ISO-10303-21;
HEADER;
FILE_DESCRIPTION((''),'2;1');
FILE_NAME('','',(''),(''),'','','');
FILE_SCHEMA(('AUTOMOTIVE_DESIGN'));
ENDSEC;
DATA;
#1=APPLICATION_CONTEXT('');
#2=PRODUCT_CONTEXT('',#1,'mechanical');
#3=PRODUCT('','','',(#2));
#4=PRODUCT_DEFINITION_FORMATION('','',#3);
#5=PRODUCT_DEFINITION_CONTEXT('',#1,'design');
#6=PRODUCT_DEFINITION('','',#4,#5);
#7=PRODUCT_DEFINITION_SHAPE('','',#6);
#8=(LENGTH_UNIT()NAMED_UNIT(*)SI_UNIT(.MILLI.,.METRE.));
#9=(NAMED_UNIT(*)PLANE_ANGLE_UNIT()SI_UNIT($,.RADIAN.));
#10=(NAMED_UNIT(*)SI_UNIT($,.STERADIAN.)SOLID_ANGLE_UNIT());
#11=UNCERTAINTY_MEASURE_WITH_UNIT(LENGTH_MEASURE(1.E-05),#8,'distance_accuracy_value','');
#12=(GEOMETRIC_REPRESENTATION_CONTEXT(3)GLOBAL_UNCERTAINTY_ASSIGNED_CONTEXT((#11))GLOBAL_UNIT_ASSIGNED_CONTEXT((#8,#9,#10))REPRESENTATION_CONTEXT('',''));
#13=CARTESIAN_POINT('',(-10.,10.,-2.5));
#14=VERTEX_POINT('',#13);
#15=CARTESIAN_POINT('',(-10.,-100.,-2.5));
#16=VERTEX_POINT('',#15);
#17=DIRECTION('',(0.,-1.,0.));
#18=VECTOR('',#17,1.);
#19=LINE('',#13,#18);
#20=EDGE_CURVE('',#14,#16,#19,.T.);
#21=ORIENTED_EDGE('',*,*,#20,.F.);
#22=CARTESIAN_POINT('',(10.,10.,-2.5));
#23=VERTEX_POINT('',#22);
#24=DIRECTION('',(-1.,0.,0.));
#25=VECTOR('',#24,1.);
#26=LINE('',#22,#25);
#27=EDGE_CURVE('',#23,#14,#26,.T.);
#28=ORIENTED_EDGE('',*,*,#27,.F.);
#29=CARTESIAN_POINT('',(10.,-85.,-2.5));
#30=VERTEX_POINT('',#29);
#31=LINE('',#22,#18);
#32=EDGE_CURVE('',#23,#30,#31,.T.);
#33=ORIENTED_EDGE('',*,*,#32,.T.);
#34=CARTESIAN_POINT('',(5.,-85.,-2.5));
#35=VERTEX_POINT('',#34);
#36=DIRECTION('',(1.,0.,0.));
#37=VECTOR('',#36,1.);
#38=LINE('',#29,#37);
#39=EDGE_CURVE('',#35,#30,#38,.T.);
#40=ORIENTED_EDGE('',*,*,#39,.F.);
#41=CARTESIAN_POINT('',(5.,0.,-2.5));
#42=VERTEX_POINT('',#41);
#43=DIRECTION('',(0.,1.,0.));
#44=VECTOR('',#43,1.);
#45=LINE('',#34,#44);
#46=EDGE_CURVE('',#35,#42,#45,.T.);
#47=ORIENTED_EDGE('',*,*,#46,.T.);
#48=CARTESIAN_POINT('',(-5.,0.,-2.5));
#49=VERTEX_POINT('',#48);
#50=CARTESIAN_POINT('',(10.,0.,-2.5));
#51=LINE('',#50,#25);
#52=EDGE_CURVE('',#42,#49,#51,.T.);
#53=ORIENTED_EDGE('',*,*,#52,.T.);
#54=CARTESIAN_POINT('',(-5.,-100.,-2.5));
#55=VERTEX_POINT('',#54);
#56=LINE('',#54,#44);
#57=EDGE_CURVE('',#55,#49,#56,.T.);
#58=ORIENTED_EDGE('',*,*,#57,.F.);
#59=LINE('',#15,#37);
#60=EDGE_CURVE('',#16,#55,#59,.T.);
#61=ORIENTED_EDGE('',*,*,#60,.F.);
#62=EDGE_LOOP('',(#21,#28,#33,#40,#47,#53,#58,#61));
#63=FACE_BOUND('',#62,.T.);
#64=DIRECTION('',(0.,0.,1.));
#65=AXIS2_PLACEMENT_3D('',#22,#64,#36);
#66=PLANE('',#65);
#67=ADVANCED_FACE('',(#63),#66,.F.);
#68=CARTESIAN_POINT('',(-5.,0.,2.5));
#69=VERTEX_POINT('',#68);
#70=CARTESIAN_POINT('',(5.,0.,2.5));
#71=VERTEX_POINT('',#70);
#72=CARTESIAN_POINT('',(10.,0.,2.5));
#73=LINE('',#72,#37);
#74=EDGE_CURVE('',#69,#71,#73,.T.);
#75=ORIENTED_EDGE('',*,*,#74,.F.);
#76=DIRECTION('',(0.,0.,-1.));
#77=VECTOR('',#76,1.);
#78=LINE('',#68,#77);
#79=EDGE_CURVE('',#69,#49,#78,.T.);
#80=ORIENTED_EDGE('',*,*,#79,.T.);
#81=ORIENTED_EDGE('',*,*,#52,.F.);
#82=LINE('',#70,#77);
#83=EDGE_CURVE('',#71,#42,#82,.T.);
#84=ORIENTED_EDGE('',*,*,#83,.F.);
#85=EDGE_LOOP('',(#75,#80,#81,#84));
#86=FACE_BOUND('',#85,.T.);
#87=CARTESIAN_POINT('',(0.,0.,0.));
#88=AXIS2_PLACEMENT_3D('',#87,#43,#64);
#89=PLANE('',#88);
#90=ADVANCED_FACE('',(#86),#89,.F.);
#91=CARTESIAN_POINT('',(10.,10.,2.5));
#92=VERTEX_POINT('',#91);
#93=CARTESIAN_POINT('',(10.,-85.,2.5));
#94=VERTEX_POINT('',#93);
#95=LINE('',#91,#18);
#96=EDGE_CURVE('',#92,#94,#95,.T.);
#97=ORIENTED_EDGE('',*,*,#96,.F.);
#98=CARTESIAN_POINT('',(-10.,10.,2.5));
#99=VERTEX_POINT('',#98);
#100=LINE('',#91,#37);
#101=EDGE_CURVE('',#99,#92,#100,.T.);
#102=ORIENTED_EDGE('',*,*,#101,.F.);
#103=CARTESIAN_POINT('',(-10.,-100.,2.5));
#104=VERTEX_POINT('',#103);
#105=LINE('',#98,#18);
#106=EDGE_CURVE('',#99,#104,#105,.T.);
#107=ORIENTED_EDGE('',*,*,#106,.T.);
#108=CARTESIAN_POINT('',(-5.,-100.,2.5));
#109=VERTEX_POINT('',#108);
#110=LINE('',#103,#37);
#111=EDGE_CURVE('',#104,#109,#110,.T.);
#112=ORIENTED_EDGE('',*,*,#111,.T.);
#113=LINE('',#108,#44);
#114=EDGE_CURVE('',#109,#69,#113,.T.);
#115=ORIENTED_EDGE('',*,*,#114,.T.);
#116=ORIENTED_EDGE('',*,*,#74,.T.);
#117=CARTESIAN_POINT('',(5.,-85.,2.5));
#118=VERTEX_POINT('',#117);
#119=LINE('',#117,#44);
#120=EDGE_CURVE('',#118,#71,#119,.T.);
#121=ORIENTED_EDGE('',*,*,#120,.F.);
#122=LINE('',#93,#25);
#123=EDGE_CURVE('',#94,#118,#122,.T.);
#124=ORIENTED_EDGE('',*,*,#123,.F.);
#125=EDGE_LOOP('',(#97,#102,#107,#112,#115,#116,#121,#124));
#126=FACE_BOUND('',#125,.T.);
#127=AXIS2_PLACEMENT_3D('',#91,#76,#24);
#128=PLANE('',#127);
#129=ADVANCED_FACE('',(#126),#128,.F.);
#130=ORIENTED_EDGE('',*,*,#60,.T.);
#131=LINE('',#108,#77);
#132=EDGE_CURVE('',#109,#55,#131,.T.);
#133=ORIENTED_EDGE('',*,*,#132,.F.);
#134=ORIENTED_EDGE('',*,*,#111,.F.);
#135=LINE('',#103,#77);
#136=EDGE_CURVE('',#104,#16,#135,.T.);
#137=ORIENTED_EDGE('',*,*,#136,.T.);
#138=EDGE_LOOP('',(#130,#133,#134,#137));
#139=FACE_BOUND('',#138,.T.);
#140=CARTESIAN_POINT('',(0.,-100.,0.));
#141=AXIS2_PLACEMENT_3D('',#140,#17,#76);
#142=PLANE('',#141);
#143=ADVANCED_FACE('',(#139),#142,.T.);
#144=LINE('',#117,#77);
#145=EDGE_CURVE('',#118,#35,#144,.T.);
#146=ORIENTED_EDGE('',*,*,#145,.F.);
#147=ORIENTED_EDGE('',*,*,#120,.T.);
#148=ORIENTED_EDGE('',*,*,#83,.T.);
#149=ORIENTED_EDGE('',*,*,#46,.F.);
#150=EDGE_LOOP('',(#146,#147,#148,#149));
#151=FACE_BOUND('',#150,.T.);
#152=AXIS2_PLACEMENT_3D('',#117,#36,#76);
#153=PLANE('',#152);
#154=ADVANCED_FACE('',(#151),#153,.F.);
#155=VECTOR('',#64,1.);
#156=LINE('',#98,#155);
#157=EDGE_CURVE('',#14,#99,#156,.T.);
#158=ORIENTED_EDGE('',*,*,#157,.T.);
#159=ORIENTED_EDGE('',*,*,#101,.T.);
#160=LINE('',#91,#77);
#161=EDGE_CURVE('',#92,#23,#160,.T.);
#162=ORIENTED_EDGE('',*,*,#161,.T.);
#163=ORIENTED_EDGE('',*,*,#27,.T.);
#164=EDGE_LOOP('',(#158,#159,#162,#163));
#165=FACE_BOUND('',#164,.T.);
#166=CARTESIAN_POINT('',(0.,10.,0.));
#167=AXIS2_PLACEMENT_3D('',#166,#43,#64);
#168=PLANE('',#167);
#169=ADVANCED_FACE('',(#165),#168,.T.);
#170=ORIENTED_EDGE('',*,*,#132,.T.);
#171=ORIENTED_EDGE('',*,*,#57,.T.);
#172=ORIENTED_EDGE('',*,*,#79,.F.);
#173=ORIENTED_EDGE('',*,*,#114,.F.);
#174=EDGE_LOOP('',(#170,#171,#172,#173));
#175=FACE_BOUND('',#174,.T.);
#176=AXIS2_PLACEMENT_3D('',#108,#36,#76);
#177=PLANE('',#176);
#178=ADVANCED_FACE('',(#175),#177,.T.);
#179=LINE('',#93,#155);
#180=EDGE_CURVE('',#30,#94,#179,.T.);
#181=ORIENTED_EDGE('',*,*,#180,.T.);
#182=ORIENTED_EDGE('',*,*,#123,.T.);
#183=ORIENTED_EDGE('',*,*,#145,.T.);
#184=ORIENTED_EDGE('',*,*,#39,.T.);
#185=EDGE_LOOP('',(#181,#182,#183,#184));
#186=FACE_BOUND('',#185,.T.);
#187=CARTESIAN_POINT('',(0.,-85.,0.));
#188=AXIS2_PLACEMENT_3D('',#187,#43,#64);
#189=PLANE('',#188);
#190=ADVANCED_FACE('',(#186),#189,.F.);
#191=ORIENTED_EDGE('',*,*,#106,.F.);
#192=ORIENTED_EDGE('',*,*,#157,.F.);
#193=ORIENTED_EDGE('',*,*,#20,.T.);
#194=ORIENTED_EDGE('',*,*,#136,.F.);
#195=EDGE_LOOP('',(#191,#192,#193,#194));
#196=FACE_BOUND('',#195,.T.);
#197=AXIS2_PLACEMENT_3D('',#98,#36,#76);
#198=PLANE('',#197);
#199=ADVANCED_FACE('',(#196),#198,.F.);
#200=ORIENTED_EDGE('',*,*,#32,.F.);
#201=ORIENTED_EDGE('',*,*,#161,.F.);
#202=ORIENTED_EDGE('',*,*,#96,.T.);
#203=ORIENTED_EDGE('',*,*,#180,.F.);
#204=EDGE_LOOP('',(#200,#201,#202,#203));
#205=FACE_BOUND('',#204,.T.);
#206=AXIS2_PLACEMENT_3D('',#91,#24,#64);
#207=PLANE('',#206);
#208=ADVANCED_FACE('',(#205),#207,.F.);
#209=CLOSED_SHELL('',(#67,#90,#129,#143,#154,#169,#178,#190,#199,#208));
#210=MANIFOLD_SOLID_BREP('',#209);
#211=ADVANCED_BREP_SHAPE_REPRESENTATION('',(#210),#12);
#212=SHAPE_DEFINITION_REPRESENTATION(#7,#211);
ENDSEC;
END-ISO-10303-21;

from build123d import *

# Parameters (mm, degrees)
SKETCH2_W           = 20
SKETCH2_H           = 5
BOSS_EXTRUDE1_DEPTH = 10
SKETCH5_W           = 5
SKETCH5_H           = 5
BOSS_EXTRUDE2_DEPTH = 100
SKETCH6_W           = 5
SKETCH6_H           = 5
BOSS_EXTRUDE3_DEPTH = 85


with BuildPart() as part:
    # Sketch2 → Boss-Extrude1 (new body)
    with BuildSketch(Plane(origin=(0, 0, 0), x_dir=(1, 0, 0), z_dir=(0, 1, 0))):
        Rectangle(SKETCH2_W, SKETCH2_H)
    extrude(amount=BOSS_EXTRUDE1_DEPTH)

    # Sketch5 → Boss-Extrude2 (add)
    with BuildSketch(Plane(origin=(0, 0, 0), x_dir=(1, 0, 0), z_dir=(0, 1, 0))):
        with Locations((-7.5, 0)):
            Rectangle(SKETCH5_W, SKETCH5_H)
    extrude(amount=-BOSS_EXTRUDE2_DEPTH)

    # Sketch6 → Boss-Extrude3 (add)
    with BuildSketch(Plane.XZ):
        with Locations((7.5, 0)):
            Rectangle(SKETCH6_W, SKETCH6_H)
    extrude(amount=BOSS_EXTRUDE3_DEPTH)


solid = part.part
